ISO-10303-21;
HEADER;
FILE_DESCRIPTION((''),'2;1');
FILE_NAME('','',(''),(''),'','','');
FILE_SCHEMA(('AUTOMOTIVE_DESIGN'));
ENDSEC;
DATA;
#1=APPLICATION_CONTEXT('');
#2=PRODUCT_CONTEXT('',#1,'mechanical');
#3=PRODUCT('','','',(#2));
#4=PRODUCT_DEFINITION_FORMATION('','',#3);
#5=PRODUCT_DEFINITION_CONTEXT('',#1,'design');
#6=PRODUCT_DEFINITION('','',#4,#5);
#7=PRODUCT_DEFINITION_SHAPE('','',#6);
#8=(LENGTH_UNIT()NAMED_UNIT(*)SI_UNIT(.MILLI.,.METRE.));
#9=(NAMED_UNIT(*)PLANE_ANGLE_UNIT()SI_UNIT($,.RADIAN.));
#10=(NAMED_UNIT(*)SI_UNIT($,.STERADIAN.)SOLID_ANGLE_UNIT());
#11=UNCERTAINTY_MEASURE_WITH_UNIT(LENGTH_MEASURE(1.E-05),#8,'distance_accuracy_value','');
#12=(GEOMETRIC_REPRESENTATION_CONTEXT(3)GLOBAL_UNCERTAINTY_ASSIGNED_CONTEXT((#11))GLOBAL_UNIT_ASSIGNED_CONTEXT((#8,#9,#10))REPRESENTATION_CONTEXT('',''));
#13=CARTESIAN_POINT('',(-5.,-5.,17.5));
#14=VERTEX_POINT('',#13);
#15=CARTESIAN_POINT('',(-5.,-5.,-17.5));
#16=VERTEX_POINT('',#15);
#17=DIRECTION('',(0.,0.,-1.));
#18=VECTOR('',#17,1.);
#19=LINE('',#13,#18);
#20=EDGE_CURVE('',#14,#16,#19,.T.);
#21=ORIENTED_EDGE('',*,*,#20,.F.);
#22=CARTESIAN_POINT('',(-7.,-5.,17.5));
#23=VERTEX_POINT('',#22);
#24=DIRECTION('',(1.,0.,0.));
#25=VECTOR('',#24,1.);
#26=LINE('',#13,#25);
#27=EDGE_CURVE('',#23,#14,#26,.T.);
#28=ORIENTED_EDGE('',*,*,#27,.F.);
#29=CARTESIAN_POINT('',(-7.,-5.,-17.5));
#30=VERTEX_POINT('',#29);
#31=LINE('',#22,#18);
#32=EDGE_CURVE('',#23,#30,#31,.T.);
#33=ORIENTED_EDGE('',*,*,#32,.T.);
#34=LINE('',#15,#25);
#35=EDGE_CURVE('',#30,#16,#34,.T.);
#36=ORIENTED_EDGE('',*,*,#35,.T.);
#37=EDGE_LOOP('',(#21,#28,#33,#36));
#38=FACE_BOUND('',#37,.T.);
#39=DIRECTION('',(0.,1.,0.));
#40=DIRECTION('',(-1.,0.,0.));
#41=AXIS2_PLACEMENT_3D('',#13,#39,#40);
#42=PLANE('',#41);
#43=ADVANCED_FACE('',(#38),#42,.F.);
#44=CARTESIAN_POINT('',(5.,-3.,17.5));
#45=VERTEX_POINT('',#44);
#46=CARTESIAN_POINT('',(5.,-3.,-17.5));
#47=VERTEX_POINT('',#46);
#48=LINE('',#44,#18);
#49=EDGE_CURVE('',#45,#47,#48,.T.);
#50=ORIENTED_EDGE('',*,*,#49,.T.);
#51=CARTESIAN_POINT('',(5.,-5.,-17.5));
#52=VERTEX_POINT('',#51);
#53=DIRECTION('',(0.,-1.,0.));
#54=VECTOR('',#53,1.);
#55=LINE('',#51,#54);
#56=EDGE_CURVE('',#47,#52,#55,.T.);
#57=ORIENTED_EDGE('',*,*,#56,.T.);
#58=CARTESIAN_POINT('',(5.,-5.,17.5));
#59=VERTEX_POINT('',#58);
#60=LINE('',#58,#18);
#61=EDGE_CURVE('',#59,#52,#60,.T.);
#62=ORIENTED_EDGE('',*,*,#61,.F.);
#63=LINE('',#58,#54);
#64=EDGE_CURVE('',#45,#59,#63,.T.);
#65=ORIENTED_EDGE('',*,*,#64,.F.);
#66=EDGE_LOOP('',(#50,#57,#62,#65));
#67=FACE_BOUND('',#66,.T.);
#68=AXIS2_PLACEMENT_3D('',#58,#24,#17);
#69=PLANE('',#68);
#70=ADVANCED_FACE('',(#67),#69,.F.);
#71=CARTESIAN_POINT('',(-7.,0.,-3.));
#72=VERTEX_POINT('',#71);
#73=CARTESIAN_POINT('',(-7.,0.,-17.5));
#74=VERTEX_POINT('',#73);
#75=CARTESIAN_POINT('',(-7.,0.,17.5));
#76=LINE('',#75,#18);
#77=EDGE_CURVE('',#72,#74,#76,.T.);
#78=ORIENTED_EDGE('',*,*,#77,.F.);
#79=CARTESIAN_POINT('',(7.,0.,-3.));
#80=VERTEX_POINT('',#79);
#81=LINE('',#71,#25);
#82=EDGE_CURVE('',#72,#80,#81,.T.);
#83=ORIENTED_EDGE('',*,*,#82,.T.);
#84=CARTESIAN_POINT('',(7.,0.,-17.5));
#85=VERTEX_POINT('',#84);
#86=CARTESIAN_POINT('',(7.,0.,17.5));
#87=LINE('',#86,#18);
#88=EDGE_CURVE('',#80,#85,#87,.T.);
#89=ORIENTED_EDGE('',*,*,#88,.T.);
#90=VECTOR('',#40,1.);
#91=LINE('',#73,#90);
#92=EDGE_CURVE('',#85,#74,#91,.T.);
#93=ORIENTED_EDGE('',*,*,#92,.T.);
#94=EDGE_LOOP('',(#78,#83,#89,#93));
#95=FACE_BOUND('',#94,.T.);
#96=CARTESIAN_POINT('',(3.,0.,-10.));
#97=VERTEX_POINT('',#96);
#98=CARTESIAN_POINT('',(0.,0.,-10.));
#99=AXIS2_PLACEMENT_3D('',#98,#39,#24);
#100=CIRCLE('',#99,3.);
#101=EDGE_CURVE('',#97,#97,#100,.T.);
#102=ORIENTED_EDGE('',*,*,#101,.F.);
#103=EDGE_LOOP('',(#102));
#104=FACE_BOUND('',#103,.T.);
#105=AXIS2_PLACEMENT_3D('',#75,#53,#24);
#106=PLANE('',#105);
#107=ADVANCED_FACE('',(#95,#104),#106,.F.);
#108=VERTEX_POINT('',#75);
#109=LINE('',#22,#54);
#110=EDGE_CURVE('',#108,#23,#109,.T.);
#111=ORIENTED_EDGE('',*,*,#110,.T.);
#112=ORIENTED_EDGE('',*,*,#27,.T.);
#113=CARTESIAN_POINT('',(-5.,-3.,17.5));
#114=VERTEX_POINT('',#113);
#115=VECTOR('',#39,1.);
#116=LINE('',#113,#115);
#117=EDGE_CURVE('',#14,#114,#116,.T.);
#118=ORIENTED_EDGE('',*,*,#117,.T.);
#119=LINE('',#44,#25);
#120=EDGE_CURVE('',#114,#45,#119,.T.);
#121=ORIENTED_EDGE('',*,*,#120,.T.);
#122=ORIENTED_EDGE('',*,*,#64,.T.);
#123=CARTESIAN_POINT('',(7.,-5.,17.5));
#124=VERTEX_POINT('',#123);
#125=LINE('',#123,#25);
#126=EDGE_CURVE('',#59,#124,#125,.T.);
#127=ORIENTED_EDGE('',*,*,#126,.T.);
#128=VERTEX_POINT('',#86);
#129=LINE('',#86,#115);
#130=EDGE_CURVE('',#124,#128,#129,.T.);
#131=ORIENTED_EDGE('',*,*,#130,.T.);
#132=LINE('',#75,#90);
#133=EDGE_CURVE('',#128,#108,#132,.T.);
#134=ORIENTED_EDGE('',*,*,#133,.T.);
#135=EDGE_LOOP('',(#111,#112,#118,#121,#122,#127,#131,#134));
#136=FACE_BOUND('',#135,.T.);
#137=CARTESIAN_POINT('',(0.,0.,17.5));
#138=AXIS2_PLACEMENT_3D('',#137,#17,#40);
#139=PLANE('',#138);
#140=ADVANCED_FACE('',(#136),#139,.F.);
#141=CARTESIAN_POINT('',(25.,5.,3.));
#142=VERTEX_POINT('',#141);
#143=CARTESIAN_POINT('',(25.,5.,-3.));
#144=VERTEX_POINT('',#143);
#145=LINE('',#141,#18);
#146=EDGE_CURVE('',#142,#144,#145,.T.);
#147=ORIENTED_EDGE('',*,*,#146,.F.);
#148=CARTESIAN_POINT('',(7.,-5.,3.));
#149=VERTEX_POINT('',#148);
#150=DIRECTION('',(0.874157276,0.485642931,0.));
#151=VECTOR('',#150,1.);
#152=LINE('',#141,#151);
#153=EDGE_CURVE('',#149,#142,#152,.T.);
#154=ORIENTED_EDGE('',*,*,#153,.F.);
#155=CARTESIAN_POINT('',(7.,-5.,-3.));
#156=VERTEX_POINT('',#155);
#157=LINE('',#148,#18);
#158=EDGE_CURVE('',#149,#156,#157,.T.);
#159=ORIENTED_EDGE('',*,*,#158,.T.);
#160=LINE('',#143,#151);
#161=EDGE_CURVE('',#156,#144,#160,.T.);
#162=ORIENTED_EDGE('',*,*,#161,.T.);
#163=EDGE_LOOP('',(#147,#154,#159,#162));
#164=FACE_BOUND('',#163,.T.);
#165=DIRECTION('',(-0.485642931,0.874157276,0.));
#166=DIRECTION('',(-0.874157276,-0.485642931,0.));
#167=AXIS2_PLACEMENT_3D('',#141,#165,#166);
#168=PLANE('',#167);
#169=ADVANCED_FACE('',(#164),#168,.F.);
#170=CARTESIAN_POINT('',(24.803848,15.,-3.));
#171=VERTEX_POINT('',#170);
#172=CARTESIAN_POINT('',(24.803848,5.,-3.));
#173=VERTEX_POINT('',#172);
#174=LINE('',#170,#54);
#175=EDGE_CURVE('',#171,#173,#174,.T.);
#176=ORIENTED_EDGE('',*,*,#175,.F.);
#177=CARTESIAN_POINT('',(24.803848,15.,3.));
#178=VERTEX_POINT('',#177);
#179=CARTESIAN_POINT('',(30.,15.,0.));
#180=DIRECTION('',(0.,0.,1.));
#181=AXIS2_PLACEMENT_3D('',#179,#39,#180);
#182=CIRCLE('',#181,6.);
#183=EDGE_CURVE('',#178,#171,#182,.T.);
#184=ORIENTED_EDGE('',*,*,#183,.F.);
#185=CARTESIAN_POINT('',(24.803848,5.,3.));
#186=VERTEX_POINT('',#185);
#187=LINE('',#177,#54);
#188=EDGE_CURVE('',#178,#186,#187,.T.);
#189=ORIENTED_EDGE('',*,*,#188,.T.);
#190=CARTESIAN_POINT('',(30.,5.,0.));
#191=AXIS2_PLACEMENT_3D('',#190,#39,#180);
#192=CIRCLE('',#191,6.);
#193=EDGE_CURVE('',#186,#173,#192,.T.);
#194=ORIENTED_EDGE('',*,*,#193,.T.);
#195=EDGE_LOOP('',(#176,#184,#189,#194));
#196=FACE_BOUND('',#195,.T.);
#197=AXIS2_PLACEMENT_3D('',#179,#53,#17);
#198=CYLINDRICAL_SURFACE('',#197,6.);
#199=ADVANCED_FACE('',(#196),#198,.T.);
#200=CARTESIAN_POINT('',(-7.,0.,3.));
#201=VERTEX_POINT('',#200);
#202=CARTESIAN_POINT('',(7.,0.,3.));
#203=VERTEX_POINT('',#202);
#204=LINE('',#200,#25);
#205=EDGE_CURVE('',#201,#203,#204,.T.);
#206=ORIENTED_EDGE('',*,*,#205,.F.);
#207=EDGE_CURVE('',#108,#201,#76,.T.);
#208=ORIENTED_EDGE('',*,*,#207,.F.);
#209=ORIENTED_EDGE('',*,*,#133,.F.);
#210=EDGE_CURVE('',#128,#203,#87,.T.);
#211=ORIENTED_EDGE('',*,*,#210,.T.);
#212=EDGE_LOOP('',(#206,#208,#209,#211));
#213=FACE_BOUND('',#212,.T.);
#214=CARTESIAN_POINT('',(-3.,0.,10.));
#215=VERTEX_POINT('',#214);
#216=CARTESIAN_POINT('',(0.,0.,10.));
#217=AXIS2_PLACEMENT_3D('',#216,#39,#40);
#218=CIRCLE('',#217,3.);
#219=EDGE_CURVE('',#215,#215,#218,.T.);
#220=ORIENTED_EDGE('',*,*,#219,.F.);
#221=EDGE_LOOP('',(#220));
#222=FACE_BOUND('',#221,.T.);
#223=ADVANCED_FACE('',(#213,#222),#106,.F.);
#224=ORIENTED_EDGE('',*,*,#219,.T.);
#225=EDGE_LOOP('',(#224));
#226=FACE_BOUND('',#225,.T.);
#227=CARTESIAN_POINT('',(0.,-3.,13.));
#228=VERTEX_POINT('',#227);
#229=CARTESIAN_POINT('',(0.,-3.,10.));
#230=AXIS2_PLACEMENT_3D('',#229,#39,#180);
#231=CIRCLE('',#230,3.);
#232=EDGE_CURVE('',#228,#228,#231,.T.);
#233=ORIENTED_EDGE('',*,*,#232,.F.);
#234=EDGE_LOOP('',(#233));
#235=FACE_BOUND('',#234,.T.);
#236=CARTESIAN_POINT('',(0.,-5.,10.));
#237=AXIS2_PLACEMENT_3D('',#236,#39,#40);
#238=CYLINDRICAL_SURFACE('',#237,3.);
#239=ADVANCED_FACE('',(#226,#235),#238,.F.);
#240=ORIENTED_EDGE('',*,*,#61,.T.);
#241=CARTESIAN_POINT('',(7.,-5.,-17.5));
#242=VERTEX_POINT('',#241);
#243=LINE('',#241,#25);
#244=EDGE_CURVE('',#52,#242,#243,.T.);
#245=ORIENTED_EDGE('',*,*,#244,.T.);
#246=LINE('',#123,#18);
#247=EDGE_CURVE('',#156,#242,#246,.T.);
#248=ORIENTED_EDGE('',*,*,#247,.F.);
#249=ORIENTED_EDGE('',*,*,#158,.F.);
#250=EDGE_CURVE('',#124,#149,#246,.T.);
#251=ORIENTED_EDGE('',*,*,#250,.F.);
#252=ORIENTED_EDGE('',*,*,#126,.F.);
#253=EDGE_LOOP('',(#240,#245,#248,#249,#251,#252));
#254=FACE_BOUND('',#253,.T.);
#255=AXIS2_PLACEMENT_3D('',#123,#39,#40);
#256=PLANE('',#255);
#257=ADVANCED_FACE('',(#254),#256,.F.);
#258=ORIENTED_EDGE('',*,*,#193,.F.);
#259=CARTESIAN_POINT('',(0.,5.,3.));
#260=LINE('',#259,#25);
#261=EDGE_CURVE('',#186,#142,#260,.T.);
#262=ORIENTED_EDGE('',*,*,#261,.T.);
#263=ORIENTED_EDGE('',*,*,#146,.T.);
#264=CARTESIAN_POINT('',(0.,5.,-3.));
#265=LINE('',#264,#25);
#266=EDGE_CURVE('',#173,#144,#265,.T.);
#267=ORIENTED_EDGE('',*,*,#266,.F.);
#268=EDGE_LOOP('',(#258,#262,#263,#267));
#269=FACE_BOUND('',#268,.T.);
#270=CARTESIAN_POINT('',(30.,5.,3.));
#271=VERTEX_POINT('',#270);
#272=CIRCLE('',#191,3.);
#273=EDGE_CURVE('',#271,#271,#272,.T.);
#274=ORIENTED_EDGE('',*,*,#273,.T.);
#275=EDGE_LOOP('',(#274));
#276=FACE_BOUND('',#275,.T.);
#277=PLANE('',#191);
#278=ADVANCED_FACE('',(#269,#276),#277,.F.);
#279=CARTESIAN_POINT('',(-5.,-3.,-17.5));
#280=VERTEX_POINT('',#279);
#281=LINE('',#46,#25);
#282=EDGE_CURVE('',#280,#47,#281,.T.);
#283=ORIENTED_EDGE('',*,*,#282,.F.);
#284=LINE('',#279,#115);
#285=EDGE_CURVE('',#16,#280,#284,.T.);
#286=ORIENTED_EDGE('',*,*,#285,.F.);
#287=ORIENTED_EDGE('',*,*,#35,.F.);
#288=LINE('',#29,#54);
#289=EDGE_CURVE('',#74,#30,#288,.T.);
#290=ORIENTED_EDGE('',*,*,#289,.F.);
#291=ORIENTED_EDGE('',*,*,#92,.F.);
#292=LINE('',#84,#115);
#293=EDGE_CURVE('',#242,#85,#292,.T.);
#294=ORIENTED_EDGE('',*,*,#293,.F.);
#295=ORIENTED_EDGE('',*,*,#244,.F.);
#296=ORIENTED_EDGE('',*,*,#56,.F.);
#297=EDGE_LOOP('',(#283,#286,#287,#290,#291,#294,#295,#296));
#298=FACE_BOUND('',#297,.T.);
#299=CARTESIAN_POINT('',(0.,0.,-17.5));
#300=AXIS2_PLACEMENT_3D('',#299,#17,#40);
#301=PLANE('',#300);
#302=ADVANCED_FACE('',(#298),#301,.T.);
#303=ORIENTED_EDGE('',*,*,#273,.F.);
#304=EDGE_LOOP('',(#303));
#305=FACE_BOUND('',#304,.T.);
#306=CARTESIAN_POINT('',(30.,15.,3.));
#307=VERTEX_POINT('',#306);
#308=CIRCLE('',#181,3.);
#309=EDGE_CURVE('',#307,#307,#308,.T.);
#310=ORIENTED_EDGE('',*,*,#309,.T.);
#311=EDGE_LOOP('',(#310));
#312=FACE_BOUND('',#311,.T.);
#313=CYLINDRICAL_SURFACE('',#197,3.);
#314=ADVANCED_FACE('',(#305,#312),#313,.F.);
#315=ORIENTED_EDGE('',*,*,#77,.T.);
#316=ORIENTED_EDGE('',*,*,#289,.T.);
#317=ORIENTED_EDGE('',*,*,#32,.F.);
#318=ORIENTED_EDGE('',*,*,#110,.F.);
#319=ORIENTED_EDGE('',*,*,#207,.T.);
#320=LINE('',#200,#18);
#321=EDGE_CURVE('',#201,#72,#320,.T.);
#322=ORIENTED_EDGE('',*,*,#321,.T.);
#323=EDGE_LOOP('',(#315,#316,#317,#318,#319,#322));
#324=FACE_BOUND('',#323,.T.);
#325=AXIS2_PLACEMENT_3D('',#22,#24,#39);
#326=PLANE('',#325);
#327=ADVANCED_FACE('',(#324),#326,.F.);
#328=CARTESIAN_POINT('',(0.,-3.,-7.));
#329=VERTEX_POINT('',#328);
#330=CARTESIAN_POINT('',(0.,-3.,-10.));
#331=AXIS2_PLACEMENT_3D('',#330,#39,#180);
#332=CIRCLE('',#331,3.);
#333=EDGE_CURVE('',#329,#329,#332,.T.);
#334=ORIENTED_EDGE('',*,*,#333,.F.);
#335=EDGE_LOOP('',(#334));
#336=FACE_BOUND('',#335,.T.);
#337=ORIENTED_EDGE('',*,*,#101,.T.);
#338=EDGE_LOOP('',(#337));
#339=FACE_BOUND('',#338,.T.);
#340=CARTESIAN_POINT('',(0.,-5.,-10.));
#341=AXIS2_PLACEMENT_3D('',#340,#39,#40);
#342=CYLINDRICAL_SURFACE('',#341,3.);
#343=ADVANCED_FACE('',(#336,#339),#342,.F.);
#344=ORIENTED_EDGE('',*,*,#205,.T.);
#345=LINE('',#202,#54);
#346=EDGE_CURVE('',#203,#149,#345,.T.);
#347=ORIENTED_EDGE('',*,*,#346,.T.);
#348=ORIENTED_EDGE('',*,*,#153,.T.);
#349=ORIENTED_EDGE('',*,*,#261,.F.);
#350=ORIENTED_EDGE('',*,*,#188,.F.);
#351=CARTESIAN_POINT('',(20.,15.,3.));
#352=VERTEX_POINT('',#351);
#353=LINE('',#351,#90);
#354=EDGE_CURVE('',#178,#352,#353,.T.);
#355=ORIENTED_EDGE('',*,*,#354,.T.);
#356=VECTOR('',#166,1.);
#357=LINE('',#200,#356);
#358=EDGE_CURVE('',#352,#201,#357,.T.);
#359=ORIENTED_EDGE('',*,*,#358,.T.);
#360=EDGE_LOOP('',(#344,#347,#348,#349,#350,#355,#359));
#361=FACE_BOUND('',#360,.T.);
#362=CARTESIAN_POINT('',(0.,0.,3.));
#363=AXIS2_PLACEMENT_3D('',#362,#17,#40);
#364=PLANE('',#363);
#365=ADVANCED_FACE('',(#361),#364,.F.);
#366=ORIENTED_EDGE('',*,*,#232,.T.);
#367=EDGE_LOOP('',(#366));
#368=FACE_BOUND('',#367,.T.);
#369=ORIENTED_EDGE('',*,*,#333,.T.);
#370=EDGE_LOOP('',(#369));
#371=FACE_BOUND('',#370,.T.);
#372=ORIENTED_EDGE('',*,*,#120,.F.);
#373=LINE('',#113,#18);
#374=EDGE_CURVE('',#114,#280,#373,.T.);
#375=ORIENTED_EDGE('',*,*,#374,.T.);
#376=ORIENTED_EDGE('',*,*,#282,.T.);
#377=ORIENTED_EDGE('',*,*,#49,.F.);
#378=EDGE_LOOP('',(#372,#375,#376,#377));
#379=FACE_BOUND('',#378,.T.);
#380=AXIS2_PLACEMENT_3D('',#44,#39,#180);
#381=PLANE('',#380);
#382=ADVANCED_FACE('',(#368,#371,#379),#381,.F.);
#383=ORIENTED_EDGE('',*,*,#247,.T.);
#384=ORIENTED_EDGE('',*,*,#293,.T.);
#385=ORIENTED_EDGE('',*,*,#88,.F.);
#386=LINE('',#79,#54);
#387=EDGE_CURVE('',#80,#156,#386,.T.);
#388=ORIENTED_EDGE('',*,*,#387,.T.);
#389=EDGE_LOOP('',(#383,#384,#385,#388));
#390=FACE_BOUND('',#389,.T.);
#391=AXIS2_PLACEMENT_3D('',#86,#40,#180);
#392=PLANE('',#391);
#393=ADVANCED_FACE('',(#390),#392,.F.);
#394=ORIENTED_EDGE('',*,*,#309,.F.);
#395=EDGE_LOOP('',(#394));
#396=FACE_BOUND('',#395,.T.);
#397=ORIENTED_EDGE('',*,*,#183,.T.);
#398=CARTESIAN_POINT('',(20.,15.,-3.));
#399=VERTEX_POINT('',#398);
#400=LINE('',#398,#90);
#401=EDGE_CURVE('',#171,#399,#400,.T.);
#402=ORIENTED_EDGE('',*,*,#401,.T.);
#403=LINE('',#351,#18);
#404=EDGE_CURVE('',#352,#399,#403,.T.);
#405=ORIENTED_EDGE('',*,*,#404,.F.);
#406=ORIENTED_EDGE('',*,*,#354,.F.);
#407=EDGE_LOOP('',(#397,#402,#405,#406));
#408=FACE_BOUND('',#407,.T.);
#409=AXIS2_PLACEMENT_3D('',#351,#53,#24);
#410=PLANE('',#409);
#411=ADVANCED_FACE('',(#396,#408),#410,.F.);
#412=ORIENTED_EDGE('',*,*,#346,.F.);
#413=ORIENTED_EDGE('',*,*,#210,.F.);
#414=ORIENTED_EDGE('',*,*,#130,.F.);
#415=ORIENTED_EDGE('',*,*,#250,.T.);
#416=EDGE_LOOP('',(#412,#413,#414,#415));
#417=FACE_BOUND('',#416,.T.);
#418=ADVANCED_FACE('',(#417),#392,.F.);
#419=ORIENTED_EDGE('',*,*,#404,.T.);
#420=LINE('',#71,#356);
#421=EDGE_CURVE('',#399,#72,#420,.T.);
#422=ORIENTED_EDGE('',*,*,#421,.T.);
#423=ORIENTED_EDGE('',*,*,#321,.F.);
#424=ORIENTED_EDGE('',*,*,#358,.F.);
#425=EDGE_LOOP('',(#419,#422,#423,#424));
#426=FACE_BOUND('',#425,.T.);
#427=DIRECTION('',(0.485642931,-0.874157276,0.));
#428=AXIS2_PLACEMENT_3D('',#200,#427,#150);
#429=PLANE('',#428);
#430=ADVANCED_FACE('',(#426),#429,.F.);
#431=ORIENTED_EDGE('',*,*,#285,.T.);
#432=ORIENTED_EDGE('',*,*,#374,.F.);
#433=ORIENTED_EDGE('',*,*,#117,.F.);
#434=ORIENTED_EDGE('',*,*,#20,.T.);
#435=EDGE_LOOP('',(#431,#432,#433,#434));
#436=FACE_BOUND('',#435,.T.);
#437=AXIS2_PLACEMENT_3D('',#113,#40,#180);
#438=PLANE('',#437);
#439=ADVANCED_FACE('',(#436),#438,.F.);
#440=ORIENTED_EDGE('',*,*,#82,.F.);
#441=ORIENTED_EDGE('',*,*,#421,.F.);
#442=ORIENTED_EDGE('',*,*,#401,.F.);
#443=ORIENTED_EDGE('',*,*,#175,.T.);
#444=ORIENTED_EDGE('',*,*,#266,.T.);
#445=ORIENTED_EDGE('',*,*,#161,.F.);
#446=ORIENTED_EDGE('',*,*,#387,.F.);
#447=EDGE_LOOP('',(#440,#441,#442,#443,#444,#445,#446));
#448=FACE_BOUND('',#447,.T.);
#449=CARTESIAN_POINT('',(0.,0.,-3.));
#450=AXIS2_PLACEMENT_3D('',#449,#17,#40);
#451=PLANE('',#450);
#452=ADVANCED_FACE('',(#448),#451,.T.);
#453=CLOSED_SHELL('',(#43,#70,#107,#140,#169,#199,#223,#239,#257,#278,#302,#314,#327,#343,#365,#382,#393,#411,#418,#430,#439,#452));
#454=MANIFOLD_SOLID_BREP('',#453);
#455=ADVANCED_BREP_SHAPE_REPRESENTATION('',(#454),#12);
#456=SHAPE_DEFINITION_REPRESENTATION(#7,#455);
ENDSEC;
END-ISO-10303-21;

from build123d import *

# Parameters (mm, degrees)
EXTRUDE_1_DEPTH     = 17.5
EXTRUDE_2_DEPTH     = 3
EXTRUDE_START       = 5
SKETCH_5_R          = 6
SKETCH_5_R_2        = 3
EXTRUDE_3_DEPTH     = 10
SKETCH_2_R          = 3
CUT_EXTRUDE_1_DEPTH = 6


with BuildPart() as part:
    # 草圖1 → 填料-伸長1 (new body, symmetric)
    with BuildSketch(Plane.XY):
        Polygon((-7, 0), (7, 0), (7, -5), (5, -5), (5, -3), (-5, -3), (-5, -5), (-7, -5), align=None)
    extrude(amount=EXTRUDE_1_DEPTH, both=True)

    # 草圖4 → 填料-伸長2 (add, symmetric)
    with BuildSketch(Plane.XY):
        Polygon((-7, 0), (20, 15), (25, 15), (25, 5), (7, -5), (7, 0), align=None)
    extrude(amount=EXTRUDE_2_DEPTH, both=True)

    # 草圖5 → 填料-伸長3 (add)
    with BuildSketch(Plane(origin=(0, 0, 0), x_dir=(1, 0, 0), z_dir=(0, 1, 0)).offset(EXTRUDE_START)):
        with Locations((30, 0)):
            Circle(SKETCH_5_R)
        with Locations((30, 0)):
            Circle(SKETCH_5_R_2, mode=Mode.SUBTRACT)
    extrude(amount=EXTRUDE_3_DEPTH)

    # 草圖2 → 除料-伸長1 (cut, through all)
    with BuildSketch(Plane(origin=(0, 0, 0), x_dir=(1, 0, 0), z_dir=(0, 1, 0))):
        with Locations((0, -10)):
            Circle(SKETCH_2_R)
        with Locations((0, 10)):
            Circle(SKETCH_2_R)
    extrude(amount=-CUT_EXTRUDE_1_DEPTH, mode=Mode.SUBTRACT)


solid = part.part
